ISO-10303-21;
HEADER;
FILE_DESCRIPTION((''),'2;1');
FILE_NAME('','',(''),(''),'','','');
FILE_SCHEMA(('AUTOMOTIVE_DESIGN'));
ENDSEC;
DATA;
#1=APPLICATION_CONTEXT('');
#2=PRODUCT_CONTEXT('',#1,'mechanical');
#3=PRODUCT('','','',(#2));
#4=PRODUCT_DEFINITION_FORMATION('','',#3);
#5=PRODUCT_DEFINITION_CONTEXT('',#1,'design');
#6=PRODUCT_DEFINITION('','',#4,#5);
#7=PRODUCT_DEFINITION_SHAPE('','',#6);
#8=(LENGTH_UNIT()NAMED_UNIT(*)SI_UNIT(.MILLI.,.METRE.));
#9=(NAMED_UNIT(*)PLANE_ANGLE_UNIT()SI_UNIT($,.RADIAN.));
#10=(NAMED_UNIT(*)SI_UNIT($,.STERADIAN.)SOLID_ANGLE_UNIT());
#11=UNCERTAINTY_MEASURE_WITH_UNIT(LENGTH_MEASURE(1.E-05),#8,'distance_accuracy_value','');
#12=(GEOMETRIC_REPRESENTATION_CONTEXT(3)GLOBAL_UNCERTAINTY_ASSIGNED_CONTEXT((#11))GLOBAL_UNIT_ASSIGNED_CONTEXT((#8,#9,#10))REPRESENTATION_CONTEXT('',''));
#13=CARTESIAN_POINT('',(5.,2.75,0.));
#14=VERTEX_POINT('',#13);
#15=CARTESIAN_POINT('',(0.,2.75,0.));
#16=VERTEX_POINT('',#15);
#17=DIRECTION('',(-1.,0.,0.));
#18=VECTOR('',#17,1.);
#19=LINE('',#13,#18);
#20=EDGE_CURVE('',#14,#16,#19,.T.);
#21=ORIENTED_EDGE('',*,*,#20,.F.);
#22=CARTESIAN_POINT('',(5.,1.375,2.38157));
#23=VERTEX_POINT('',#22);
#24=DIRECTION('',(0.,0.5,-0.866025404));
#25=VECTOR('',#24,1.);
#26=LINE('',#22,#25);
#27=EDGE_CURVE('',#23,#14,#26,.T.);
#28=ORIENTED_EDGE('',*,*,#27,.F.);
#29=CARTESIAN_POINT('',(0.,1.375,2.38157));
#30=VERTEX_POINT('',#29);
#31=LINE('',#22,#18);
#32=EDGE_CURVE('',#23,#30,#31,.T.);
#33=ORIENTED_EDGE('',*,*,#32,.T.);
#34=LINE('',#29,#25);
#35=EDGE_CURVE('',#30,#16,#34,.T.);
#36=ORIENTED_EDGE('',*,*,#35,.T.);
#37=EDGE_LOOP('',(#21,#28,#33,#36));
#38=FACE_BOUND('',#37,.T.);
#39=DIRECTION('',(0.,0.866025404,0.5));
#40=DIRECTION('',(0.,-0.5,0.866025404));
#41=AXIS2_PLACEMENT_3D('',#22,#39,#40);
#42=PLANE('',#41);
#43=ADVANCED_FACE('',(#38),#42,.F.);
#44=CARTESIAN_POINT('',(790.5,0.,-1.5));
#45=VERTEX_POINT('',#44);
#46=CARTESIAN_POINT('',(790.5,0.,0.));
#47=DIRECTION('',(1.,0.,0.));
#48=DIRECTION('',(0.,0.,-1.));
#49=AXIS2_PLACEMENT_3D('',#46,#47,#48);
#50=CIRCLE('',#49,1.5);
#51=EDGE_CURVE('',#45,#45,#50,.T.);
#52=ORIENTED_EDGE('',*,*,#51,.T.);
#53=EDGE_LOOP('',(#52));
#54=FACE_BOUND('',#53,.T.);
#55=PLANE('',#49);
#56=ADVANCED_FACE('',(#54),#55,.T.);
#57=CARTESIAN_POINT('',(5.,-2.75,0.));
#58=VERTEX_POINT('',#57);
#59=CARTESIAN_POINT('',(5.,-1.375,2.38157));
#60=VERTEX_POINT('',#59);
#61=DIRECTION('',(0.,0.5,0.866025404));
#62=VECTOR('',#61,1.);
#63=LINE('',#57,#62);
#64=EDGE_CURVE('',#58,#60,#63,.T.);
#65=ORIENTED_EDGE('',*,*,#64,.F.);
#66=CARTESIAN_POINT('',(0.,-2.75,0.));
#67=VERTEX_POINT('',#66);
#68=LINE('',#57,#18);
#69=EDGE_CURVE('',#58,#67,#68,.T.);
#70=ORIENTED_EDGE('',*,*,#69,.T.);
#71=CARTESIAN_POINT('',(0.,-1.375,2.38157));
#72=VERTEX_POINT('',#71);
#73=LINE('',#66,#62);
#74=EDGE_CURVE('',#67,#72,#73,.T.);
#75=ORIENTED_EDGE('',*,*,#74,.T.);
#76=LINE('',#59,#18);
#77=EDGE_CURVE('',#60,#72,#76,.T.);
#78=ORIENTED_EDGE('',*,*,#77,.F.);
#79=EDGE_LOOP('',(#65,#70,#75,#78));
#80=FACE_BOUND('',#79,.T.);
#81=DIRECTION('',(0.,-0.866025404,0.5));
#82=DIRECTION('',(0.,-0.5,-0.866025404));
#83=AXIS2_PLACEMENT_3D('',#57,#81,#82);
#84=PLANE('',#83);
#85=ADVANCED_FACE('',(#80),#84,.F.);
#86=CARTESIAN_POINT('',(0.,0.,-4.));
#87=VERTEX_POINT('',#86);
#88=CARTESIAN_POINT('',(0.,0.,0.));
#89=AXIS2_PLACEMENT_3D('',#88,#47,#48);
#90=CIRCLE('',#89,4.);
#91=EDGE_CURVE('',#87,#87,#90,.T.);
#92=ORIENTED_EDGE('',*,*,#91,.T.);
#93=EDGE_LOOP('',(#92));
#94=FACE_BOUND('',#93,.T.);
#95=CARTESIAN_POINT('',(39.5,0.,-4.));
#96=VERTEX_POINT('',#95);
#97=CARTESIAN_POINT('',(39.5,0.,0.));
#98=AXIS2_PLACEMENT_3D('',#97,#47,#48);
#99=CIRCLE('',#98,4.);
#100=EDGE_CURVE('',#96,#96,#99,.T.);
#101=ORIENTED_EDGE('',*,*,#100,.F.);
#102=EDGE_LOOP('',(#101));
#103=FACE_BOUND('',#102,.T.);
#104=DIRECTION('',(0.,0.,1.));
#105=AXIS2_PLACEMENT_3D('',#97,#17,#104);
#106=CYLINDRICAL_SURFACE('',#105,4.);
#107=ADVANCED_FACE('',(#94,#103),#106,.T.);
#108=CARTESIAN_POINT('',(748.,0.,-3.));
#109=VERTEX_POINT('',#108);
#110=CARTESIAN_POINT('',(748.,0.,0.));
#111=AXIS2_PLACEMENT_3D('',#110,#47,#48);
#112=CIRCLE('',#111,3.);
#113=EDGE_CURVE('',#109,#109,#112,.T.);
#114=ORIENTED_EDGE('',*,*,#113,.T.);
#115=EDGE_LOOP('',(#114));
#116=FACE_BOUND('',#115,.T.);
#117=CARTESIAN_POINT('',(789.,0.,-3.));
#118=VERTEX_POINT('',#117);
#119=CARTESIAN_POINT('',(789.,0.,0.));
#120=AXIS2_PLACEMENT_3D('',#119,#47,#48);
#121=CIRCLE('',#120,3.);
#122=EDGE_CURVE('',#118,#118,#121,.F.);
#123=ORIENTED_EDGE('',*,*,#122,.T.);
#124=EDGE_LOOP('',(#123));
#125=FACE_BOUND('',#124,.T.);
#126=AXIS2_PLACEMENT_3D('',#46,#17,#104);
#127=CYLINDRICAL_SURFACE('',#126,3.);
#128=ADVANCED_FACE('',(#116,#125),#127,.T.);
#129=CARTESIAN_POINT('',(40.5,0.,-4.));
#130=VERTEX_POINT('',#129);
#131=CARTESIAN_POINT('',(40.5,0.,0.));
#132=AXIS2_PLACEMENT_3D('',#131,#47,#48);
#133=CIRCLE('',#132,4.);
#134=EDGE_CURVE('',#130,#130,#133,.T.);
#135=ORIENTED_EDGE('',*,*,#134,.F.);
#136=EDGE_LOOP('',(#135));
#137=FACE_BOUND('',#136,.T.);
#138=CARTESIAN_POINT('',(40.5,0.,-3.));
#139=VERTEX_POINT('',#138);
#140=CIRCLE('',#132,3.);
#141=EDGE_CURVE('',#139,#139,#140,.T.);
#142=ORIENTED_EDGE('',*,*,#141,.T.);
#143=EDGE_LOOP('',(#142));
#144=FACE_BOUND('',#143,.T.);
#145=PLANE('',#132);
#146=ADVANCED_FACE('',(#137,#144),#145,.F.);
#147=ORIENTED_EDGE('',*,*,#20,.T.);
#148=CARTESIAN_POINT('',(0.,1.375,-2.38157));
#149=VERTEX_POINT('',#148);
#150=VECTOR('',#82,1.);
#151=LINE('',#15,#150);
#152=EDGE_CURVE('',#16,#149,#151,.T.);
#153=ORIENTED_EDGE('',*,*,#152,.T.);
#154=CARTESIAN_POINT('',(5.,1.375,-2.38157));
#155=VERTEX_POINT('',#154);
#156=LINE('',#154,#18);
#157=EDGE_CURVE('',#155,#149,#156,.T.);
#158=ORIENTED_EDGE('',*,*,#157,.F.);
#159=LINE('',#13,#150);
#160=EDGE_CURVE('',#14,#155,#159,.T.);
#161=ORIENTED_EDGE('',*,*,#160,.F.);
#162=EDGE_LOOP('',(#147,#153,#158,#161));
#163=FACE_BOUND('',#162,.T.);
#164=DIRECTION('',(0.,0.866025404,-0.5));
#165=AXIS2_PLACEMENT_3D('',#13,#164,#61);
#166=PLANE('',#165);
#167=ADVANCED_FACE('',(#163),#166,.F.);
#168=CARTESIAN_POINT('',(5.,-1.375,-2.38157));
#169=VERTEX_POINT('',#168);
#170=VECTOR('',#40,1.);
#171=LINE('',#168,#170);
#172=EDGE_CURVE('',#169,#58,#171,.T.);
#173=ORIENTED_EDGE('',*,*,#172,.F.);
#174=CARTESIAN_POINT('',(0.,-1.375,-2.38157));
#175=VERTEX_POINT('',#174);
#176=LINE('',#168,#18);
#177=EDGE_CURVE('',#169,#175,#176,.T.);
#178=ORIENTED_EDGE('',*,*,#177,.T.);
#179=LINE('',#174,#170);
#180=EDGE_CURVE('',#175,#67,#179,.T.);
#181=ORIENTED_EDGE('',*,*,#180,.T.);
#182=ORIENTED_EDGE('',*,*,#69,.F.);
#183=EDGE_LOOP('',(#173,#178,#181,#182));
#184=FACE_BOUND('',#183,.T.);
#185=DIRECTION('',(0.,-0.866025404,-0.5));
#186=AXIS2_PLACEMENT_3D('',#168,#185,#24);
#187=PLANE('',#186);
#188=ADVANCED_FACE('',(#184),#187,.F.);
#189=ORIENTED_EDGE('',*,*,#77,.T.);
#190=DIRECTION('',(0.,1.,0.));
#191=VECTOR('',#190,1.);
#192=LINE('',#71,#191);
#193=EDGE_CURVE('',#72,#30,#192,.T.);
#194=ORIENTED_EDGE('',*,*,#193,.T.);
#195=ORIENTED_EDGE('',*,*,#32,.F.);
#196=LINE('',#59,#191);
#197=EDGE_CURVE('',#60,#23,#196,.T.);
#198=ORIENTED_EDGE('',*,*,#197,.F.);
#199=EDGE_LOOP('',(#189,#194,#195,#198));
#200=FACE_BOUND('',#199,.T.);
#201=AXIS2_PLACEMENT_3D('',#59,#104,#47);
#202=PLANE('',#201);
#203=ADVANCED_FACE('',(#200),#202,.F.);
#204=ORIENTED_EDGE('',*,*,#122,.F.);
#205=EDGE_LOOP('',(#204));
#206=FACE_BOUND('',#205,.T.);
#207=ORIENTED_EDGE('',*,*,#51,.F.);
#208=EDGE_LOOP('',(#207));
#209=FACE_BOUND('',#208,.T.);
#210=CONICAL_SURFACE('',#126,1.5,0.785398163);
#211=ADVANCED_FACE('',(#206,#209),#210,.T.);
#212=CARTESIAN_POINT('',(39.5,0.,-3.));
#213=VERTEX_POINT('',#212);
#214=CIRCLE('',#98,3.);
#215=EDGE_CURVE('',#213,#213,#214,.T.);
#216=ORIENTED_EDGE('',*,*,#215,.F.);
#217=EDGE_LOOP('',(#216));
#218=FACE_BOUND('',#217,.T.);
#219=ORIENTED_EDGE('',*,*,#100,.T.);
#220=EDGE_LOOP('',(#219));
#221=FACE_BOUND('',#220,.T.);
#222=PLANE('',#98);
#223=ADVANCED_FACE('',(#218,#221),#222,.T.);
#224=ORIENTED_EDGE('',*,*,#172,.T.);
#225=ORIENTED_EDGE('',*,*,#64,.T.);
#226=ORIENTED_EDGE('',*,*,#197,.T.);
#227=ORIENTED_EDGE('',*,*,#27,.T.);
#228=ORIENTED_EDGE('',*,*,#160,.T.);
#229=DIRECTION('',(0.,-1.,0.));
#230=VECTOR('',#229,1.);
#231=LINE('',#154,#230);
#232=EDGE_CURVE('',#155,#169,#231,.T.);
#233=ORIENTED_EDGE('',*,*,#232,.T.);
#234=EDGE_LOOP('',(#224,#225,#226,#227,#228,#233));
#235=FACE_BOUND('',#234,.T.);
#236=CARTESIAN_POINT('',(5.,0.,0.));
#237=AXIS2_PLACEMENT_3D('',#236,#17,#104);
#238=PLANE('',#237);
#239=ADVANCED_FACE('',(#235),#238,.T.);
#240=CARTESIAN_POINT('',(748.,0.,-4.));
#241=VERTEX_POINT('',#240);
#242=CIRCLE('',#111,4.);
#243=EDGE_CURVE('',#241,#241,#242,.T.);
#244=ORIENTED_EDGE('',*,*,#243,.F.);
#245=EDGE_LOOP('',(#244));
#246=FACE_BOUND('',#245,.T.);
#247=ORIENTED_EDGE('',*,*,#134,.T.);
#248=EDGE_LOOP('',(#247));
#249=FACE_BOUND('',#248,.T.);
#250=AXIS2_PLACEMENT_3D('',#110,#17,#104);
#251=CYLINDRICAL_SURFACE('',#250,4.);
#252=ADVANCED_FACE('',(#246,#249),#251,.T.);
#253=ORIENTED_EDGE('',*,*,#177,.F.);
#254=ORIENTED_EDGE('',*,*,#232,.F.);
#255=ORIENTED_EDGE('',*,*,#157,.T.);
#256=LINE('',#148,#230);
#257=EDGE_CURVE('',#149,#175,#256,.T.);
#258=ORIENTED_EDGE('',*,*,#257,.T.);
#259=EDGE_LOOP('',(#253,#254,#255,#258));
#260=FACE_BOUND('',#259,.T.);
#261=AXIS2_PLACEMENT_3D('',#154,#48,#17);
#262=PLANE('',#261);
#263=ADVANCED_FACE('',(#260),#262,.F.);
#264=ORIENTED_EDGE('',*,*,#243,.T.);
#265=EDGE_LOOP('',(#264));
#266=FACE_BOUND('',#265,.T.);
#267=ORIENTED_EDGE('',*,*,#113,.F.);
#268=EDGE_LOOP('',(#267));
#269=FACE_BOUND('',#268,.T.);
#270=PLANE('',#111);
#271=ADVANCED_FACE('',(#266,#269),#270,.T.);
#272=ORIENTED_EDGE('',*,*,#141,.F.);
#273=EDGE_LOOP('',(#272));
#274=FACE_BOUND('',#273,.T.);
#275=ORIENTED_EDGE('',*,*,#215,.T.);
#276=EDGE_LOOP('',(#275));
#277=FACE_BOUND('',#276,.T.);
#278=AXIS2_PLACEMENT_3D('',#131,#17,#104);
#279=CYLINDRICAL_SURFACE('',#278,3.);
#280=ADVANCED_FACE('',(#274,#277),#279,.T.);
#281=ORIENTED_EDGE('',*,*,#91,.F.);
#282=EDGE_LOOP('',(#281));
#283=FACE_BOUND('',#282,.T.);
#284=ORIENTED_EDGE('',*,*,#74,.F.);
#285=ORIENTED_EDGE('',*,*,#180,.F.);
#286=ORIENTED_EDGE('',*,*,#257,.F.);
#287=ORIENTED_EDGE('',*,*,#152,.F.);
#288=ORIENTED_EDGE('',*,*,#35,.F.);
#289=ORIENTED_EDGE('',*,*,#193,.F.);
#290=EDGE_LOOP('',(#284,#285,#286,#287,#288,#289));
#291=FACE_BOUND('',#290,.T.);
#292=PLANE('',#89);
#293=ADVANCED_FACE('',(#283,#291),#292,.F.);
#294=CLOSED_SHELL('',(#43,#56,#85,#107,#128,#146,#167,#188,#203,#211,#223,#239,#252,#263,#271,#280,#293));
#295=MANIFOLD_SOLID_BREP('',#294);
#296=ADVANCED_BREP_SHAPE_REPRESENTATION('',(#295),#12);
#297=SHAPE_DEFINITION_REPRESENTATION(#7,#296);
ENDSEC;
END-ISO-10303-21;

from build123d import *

# Parameters (mm, degrees)
SKETCH_1_R          = 4
EXTRUDE_1_DEPTH     = 39.5
SKETCH_2_R          = 3
EXTRUDE_2_DEPTH     = 1
SKETCH_3_R          = 4
EXTRUDE_3_DEPTH     = 707.5
SKETCH_4_R          = 3
EXTRUDE_4_DEPTH     = 42.5
CHAMFER_1_SIZE      = 1.5
CUT_EXTRUDE_1_DEPTH = 5


with BuildPart() as part:
    # 草图1 → 凸台-拉伸1 (new body)
    with BuildSketch(Plane(origin=(0, 0, 0), x_dir=(0, 0, -1), z_dir=(1, 0, 0))):
        Circle(SKETCH_1_R)
    extrude(amount=EXTRUDE_1_DEPTH)

    # 草图2 → 凸台-拉伸2 (add)
    with BuildSketch(Plane(origin=(39.5, 0, 0), x_dir=(0, 0, -1), z_dir=(1, 0, 0))):
        Circle(SKETCH_2_R)
    extrude(amount=EXTRUDE_2_DEPTH)

    # 草图3 → 凸台-拉伸3 (add)
    with BuildSketch(Plane(origin=(40.5, 0, 0), x_dir=(0, 0, -1), z_dir=(1, 0, 0))):
        Circle(SKETCH_3_R)
    extrude(amount=EXTRUDE_3_DEPTH)

    # 草图4 → 凸台-拉伸4 (add)
    with BuildSketch(Plane(origin=(748, 0, 0), x_dir=(0, 0, -1), z_dir=(1, 0, 0))):
        Circle(SKETCH_4_R)
    extrude(amount=EXTRUDE_4_DEPTH)

    # 倒角1
    chamfer_1_edges = [part.edges().sort_by_distance(p)[0] for p in [
        (790.5, 0, 3),
    ]]
    chamfer(chamfer_1_edges, length=CHAMFER_1_SIZE)

    # 草图7 → 切除-拉伸1 (cut)
    with BuildSketch(Plane.ZY):
        Polygon((-2.38156986, 1.375), (-2.38156986, -1.375), (0, -2.75), (2.38156986, -1.375), (2.38156986, 1.375), (0, 2.75), align=None)
    extrude(amount=-CUT_EXTRUDE_1_DEPTH, mode=Mode.SUBTRACT)


solid = part.part
